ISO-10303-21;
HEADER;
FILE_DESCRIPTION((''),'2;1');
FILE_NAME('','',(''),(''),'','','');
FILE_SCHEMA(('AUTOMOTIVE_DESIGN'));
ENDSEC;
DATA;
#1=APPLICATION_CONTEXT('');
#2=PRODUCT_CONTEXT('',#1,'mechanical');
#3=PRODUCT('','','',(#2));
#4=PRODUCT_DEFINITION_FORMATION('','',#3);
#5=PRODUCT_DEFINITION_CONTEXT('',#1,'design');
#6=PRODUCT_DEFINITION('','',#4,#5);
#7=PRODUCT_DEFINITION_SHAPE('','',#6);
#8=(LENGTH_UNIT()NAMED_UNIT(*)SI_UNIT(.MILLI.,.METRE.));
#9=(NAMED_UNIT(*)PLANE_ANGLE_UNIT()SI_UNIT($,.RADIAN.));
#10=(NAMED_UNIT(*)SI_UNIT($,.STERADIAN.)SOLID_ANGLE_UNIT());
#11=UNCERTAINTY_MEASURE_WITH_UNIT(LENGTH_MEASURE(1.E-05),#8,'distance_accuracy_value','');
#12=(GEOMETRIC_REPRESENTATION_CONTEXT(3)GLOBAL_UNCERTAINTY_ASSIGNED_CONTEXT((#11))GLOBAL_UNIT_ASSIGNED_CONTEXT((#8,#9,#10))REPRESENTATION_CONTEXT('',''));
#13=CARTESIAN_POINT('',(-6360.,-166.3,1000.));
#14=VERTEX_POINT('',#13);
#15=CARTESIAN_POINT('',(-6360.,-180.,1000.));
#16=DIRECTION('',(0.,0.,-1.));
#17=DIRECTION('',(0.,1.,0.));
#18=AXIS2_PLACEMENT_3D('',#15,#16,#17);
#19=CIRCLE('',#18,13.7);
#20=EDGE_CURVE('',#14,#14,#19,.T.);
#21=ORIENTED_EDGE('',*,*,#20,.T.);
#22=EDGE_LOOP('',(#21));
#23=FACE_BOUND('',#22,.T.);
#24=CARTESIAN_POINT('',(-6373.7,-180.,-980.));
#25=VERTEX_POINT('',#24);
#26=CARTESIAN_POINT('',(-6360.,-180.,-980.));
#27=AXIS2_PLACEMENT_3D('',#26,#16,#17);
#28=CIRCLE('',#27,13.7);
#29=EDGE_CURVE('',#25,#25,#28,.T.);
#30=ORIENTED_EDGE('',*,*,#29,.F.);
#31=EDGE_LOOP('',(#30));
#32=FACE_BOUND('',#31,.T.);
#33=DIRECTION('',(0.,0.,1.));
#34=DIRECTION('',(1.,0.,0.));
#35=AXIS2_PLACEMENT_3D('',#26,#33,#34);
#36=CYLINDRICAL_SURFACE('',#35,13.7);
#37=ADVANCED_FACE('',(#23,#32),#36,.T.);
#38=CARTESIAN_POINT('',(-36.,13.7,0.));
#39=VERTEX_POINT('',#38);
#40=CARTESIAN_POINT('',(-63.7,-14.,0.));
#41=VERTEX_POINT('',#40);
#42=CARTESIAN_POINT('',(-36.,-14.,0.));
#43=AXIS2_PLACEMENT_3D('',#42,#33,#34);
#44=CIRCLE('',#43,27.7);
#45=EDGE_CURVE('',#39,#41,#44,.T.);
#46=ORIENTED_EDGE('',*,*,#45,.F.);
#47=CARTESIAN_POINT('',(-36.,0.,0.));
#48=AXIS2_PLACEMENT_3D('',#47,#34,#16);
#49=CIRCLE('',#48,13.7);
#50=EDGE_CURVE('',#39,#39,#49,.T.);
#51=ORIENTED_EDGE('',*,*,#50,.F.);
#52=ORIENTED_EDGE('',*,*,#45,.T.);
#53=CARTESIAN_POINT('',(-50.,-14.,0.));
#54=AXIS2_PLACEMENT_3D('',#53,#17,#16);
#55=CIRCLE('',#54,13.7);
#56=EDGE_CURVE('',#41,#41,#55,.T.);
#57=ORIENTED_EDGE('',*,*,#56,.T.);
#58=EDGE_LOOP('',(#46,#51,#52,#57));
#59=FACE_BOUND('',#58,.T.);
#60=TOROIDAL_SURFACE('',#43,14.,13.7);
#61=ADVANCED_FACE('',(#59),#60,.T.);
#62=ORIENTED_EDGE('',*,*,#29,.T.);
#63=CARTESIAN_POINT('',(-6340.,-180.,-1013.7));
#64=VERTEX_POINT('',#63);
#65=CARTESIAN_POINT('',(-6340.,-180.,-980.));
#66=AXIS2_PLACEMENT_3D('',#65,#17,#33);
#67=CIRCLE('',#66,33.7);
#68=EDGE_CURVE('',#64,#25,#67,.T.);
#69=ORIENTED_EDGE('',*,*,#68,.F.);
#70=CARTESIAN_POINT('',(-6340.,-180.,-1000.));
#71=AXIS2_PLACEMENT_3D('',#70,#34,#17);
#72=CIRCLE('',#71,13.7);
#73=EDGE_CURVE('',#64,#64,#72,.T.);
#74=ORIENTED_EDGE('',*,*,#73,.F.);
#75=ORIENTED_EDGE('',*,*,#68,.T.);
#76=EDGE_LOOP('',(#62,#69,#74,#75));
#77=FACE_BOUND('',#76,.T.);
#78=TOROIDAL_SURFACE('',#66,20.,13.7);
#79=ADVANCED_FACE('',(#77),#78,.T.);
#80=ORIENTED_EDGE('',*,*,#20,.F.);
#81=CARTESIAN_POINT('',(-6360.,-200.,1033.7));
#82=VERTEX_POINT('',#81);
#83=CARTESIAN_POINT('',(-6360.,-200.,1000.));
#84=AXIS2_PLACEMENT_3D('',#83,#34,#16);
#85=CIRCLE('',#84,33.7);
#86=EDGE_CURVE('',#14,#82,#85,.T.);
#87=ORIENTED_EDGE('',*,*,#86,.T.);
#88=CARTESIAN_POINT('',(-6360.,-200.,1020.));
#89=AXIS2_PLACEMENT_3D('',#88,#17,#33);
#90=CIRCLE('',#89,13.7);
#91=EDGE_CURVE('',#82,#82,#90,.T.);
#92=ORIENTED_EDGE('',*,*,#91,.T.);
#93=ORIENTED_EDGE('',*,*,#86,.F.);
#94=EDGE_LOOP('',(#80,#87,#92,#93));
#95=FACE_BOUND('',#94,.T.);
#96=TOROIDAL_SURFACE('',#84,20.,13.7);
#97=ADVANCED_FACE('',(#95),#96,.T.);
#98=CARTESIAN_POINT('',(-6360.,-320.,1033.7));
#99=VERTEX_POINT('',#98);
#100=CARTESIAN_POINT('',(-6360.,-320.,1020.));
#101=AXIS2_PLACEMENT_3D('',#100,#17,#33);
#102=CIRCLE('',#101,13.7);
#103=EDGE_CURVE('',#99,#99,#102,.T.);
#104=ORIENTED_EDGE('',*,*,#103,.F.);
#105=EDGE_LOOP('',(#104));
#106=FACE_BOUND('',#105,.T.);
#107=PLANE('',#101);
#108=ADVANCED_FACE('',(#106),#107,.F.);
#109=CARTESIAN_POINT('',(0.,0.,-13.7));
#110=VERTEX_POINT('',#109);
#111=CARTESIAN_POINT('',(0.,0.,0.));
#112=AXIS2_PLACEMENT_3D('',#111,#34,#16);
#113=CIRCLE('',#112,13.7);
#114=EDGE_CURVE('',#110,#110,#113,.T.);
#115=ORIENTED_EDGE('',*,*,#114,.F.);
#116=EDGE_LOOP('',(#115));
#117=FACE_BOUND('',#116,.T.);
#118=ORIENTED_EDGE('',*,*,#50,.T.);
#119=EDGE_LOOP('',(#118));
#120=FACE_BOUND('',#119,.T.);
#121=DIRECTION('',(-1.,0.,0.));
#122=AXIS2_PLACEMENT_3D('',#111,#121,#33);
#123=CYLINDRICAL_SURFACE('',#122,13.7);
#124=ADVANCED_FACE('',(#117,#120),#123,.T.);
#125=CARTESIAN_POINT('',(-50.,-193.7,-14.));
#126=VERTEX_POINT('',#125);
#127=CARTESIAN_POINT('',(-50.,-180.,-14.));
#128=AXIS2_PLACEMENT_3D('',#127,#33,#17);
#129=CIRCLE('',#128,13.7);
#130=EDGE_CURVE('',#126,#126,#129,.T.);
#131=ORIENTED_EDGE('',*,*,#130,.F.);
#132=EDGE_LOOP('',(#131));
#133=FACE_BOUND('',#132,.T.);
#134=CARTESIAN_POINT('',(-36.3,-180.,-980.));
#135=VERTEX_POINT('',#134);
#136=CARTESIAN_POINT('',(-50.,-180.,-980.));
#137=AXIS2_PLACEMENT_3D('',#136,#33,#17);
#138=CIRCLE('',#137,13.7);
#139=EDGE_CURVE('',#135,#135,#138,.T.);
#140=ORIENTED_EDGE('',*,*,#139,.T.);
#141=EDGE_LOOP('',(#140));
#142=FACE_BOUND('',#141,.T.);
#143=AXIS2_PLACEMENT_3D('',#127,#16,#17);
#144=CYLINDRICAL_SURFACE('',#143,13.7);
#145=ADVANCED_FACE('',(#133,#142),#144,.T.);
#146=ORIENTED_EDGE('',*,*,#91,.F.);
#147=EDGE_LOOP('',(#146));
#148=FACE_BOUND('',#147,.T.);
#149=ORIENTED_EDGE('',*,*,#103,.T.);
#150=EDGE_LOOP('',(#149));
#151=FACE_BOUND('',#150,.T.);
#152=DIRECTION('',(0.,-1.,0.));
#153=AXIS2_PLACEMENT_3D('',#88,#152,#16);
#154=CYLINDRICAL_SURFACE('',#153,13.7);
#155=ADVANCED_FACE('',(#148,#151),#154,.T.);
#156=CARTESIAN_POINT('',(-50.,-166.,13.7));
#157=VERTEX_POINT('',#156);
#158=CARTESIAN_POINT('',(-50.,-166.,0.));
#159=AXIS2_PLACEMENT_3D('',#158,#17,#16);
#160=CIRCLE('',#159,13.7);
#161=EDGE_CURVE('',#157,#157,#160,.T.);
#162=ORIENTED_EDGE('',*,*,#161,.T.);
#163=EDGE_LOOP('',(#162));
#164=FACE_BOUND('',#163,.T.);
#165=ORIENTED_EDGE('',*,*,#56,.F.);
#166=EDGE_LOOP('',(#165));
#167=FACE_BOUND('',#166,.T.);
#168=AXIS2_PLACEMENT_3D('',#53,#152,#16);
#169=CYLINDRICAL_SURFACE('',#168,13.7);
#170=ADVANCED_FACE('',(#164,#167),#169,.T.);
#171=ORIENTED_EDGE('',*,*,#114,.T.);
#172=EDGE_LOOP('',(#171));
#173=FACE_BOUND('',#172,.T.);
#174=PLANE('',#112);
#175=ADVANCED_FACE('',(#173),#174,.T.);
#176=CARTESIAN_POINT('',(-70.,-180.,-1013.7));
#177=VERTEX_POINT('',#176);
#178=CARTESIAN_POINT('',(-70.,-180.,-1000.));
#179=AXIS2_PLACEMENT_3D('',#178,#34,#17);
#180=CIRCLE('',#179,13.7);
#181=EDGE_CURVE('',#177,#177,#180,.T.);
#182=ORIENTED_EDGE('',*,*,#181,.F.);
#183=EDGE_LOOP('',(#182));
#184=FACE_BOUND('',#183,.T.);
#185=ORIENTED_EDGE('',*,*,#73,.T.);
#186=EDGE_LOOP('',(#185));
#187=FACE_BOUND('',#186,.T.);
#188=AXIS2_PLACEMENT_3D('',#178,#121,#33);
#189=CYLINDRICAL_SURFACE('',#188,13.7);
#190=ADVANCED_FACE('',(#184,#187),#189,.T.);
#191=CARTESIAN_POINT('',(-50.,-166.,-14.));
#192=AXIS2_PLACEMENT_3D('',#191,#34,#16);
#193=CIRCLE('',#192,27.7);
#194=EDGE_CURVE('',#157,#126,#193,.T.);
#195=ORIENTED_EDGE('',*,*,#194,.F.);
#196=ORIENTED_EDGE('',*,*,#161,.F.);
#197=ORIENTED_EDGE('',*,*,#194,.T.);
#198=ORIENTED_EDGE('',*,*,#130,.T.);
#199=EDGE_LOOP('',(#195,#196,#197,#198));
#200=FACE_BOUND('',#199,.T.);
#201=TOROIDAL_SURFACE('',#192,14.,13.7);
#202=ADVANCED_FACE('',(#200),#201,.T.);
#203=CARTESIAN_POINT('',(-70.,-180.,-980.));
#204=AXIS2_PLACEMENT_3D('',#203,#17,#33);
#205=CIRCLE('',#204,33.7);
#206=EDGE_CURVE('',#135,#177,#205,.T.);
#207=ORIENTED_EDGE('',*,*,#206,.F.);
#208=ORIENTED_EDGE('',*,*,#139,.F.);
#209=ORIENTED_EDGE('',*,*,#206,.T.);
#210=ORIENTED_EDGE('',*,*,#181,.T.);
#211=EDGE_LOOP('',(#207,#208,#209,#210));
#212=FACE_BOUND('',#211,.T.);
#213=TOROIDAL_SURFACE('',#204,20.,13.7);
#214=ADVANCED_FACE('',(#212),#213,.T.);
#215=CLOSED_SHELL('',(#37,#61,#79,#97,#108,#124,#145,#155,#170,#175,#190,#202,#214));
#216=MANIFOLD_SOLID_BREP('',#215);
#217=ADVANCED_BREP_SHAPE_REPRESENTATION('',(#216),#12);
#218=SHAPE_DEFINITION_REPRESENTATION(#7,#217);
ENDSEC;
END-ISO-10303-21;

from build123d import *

# Parameters (mm, degrees)
CROQUIS1_R = 13.7


with BuildPart() as part:
    # Barrer1: sweep along a curve in space
    with BuildLine() as barrer1_path:
        Line((0, 0, 0), (-36, 0, 0))
        ThreePointArc((-36, 0, 0), (-45.899494937, -4.100505063, 0), (-50, -14, 0))
        Line((-50, -14, 0), (-50, -166, 0))
        ThreePointArc((-50, -166, 0), (-50, -175.899494937, -4.100505063), (-50, -180, -14))
        Line((-50, -180, -14), (-50, -180, -980))
        ThreePointArc((-50, -180, -980), (-55.857864376, -180, -994.142135624), (-70, -180, -1000))
        Line((-70, -180, -1000), (-6340, -180, -1000))
        ThreePointArc((-6340, -180, -1000), (-6354.142135624, -180, -994.142135624), (-6360, -180, -980))
        Line((-6360, -180, -980), (-6360, -180, 1000))
        ThreePointArc((-6360, -180, 1000), (-6360, -185.857864376, 1014.142135624), (-6360, -200, 1020))
        Line((-6360, -200, 1020), (-6360, -320, 1020))
    # Croquis1 → Barrer1 (sweep)
    with BuildSketch(Plane(origin=(0, 0, 0), x_dir=(0, 0, -1), z_dir=(1, 0, 0))):
        Circle(CROQUIS1_R)
    sweep(path=barrer1_path.line)


solid = part.part
